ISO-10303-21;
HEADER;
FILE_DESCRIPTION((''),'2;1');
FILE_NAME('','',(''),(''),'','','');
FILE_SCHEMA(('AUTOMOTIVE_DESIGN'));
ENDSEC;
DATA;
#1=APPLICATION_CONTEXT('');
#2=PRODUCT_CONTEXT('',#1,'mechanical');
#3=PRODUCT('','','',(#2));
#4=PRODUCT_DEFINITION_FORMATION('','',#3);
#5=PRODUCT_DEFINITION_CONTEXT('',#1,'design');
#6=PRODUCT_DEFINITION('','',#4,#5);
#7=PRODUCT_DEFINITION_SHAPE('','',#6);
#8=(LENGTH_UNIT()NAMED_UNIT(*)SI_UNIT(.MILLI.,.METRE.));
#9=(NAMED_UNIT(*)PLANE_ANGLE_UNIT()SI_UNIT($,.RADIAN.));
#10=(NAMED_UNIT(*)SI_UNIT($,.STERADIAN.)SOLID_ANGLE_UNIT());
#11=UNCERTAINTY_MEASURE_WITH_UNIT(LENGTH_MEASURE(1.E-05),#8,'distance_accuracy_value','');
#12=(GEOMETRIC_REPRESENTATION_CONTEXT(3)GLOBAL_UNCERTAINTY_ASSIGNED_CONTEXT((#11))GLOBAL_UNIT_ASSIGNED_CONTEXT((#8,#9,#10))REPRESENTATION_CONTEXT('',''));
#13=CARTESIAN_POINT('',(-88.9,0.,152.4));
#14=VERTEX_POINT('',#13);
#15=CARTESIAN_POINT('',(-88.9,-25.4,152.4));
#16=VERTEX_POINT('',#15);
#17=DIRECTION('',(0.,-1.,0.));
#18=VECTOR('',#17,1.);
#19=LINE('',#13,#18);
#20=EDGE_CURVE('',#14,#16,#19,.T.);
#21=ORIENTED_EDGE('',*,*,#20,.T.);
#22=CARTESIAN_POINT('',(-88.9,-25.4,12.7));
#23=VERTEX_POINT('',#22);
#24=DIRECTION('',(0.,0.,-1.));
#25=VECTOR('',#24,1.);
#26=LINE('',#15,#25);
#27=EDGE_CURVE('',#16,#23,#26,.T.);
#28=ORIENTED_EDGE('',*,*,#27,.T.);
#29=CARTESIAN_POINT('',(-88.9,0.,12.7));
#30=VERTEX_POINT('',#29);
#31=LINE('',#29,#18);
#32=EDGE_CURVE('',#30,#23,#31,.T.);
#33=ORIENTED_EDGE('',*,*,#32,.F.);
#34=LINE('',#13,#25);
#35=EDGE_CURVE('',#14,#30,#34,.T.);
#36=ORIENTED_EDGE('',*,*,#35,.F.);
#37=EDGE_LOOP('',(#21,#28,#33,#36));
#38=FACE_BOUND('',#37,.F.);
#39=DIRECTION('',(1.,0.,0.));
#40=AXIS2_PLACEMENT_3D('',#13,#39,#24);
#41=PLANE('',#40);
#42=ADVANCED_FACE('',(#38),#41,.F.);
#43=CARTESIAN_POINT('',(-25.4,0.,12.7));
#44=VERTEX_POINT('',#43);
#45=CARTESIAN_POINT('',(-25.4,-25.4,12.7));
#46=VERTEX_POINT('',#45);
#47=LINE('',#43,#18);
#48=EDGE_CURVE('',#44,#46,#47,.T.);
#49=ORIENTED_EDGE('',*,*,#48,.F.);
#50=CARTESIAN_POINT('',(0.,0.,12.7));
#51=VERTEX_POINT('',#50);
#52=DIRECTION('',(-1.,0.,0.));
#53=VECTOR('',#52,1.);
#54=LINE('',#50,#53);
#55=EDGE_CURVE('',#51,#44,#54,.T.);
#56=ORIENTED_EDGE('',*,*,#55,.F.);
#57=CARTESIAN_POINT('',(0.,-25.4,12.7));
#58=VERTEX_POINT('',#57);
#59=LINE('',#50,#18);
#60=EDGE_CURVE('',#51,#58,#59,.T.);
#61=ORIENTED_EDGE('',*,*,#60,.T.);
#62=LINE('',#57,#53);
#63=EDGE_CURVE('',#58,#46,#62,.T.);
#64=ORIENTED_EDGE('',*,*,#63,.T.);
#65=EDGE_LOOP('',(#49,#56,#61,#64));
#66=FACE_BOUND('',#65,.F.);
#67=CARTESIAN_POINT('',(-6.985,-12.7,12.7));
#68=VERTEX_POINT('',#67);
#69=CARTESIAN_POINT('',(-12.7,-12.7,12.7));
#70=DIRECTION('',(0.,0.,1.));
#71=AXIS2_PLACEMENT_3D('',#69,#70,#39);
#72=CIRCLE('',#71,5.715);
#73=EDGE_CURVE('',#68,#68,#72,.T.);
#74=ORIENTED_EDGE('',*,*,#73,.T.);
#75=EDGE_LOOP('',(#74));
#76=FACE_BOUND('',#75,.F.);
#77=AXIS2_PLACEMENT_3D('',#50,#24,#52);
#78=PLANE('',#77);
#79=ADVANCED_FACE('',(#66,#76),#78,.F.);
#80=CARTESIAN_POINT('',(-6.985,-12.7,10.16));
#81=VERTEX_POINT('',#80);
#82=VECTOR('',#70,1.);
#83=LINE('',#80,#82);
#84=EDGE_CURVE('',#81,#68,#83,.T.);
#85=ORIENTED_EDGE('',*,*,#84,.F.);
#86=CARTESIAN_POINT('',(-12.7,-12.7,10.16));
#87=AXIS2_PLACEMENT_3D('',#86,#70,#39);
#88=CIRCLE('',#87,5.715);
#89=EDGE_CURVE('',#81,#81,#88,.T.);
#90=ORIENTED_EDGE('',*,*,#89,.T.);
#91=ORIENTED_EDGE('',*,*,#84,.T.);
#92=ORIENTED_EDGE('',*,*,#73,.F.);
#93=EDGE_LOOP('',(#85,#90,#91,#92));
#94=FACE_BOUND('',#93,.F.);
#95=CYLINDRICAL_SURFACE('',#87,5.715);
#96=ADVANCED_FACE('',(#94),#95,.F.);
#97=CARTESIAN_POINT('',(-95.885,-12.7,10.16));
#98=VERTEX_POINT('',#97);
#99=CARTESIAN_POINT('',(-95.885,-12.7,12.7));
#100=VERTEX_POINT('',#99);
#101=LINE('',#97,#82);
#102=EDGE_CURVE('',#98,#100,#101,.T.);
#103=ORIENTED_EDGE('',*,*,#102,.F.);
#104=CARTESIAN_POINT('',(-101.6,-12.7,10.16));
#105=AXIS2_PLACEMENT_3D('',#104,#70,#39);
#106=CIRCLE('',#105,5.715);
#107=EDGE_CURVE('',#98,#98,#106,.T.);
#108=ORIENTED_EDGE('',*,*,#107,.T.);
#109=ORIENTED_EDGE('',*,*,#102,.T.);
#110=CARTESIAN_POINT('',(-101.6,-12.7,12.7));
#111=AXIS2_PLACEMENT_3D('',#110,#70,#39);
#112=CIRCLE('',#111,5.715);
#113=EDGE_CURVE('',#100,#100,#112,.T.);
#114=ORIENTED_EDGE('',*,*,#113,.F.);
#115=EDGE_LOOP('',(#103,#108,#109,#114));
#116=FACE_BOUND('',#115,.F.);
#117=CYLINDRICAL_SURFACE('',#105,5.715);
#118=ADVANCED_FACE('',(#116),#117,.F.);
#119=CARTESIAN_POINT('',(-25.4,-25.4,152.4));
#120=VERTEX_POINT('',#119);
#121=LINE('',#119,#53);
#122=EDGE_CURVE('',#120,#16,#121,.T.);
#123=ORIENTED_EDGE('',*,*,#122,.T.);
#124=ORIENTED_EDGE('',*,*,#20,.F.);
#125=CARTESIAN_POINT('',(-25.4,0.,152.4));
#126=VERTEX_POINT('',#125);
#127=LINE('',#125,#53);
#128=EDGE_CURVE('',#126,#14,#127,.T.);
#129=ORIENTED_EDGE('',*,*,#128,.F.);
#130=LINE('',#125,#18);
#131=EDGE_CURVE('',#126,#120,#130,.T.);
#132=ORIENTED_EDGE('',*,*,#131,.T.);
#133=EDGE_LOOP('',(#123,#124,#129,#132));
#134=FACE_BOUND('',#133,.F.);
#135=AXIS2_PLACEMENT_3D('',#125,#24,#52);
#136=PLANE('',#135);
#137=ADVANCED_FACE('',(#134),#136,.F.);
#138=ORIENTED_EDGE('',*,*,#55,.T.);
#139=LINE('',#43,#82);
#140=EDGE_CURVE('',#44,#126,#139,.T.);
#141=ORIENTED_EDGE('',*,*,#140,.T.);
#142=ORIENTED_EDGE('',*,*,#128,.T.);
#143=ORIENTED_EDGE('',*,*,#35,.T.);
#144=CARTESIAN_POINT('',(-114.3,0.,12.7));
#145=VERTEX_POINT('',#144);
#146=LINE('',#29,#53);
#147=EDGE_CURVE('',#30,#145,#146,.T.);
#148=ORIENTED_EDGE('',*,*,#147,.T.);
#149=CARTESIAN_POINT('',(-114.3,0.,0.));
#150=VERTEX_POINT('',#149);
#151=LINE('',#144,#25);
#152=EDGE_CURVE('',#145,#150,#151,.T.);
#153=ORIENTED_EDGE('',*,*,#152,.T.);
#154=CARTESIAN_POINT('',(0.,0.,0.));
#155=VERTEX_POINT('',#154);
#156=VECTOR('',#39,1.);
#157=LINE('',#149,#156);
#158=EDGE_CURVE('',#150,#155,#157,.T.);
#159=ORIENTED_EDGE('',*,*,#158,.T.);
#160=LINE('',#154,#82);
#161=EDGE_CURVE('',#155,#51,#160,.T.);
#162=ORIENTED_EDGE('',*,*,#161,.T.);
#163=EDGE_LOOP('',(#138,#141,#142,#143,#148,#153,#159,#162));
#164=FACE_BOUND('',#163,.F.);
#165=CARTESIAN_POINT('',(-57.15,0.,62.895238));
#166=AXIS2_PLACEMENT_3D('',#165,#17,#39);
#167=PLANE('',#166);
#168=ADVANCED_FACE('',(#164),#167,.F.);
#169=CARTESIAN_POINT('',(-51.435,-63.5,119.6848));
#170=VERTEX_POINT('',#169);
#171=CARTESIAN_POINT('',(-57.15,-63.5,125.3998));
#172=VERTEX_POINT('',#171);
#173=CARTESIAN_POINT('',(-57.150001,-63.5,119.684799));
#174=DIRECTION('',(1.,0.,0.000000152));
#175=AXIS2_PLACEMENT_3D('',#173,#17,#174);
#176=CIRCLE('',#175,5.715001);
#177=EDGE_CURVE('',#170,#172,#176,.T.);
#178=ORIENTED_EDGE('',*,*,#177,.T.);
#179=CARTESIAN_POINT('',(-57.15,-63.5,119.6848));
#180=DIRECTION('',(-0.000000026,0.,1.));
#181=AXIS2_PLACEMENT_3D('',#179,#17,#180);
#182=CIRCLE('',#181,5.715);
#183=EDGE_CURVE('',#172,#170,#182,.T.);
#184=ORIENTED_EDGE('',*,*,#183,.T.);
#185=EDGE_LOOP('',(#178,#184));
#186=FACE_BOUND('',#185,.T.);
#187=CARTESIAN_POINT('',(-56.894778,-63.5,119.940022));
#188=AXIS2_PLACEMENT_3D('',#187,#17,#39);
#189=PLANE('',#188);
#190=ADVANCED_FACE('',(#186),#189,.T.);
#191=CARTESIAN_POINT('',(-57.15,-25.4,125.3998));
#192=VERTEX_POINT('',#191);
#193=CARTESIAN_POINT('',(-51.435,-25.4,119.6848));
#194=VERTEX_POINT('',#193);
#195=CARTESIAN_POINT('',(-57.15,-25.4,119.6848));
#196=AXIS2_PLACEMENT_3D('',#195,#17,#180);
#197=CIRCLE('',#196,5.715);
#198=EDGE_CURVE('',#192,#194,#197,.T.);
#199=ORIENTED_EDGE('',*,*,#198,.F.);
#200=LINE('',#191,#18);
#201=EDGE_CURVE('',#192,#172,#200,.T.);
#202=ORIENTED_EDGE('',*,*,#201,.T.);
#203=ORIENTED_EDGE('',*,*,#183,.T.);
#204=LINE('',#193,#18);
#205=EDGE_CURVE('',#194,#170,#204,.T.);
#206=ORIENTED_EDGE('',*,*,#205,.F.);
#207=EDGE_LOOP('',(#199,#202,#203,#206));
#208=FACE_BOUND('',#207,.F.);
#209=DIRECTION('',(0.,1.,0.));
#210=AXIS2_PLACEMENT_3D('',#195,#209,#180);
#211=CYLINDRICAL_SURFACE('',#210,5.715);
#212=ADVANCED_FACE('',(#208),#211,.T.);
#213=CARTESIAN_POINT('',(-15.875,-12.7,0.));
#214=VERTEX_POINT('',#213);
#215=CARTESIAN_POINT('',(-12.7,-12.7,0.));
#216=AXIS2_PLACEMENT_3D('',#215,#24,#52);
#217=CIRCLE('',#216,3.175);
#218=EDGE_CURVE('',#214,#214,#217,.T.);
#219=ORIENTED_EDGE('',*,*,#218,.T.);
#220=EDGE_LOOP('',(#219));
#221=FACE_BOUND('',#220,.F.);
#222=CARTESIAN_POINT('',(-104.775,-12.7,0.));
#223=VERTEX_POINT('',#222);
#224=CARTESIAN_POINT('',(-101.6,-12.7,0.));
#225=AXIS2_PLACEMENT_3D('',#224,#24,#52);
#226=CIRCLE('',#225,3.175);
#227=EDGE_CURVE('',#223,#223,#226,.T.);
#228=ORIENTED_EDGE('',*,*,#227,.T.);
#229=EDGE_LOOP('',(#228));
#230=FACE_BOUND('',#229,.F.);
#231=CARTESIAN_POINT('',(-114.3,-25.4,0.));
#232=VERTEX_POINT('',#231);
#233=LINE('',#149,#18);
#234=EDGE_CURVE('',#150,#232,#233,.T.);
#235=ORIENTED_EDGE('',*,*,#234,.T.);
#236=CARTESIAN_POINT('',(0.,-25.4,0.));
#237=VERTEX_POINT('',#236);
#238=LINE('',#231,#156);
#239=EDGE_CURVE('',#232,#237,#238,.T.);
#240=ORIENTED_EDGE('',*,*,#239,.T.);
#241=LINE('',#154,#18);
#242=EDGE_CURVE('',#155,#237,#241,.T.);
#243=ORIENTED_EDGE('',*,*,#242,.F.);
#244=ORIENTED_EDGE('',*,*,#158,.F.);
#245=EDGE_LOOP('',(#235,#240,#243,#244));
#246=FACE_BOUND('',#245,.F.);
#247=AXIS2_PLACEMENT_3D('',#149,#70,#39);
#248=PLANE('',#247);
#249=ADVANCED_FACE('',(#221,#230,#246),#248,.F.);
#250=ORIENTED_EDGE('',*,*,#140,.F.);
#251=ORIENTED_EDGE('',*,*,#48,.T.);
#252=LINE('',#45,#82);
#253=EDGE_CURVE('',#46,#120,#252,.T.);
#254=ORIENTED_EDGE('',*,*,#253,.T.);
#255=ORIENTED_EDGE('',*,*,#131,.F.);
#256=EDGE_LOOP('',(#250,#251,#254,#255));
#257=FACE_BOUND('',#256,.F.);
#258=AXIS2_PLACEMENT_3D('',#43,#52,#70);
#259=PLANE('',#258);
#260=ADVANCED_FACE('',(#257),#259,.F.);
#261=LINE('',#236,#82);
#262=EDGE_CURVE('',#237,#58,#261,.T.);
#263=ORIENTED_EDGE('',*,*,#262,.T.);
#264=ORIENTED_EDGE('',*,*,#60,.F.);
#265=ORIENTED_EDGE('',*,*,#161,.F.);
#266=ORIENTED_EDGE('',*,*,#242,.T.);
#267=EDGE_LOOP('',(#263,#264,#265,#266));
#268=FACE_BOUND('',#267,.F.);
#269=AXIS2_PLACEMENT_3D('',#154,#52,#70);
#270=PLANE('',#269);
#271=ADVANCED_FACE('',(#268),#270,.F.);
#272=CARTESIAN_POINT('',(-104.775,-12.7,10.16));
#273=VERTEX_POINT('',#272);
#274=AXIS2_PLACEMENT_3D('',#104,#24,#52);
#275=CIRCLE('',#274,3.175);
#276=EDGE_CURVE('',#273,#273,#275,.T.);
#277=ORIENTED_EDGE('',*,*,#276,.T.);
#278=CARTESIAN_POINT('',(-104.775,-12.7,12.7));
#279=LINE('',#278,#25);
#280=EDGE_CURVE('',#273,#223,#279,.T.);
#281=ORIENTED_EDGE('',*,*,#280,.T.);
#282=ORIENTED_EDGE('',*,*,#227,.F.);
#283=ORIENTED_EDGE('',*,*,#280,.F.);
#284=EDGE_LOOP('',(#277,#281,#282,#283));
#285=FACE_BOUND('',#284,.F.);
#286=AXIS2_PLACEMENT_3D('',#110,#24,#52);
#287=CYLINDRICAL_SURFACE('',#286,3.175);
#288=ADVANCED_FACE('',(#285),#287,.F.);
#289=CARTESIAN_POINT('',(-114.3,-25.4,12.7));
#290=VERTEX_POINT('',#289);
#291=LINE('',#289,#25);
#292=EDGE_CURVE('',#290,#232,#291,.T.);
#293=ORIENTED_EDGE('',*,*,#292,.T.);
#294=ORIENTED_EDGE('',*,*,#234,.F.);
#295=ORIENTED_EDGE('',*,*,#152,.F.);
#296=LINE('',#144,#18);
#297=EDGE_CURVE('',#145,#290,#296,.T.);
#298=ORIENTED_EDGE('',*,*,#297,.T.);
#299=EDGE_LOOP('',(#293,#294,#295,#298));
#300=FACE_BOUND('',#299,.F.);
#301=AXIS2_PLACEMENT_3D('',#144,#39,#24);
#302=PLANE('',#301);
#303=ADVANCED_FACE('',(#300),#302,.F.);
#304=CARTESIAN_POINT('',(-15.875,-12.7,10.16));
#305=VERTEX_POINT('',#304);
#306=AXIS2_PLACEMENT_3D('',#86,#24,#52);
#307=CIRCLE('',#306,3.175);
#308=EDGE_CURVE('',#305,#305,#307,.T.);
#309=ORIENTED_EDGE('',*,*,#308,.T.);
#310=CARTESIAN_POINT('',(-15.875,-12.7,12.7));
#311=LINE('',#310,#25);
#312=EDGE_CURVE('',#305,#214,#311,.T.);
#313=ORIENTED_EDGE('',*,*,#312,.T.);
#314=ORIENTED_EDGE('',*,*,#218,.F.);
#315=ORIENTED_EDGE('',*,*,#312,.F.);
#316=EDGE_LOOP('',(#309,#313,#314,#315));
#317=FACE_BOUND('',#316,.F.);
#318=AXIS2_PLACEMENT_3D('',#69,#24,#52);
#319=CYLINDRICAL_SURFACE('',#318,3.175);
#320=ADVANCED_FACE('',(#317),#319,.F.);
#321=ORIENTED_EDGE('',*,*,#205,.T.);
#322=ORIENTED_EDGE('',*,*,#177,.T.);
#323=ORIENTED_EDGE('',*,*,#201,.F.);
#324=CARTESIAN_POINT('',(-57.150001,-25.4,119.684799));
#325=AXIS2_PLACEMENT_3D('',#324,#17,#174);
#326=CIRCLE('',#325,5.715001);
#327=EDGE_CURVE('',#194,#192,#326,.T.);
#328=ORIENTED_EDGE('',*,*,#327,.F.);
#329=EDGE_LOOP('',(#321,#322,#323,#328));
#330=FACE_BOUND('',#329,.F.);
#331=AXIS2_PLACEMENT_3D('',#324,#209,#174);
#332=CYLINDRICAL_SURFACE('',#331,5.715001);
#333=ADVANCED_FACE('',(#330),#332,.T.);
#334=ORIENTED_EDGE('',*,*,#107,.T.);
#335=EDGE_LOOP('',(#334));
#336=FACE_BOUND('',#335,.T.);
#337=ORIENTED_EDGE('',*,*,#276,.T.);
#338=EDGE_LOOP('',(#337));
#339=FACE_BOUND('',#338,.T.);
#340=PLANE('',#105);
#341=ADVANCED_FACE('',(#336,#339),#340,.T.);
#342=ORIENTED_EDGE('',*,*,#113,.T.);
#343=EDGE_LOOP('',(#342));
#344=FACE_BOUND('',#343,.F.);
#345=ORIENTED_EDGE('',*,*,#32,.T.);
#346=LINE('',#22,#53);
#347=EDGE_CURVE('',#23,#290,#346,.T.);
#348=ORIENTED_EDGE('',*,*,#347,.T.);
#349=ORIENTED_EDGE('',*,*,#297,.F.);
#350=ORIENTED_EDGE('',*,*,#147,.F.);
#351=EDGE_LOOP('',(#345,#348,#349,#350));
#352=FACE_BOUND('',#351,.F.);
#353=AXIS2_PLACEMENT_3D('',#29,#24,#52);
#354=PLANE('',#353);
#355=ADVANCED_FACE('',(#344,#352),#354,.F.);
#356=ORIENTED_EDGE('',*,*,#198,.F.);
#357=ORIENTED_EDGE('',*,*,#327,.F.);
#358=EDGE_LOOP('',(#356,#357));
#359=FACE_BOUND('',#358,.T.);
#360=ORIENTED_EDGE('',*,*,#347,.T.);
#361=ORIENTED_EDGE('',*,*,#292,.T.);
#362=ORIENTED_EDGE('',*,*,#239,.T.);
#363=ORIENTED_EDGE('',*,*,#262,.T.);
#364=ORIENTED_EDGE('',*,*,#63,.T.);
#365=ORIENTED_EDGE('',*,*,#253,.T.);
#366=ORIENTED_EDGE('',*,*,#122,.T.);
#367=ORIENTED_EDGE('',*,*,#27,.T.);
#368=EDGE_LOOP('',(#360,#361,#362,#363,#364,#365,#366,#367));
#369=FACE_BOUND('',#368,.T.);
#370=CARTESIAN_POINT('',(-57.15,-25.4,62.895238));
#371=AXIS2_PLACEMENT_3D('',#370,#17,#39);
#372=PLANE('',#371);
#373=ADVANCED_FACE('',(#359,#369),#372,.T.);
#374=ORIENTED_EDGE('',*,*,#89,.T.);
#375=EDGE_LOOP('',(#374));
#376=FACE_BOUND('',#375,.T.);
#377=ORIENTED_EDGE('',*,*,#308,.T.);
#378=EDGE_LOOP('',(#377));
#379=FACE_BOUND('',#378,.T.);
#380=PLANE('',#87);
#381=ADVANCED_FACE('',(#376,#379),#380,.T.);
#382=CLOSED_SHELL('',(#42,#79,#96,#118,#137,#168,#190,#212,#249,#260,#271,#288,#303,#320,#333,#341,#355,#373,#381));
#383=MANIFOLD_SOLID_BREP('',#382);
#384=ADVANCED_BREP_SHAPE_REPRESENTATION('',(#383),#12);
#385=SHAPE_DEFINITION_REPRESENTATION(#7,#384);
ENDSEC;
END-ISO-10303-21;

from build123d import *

# Parameters (mm, degrees)
F1_DEPTH       = 25.4
F3_DEPTH       = 38.1
F5_D           = 6.35
F5_CBORE_D     = 11.43
F5_CBORE_DEPTH = 2.54


with BuildPart() as f1:
    # F0 (on Front) → F1 (new body)
    with BuildSketch(Plane.XZ):
        Polygon((-114.3, 0), (0, 0), (0, 12.7), (-25.4, 12.7), (-25.4, 152.4), (-88.9, 152.4), (-88.9, 12.7), (-114.3, 12.7), align=None)
    extrude(amount=F1_DEPTH)

    # F2 (on face) → F3 (join)
    with BuildSketch(Plane.XZ.offset(25.4)):
        with BuildLine():
            ThreePointArc((-51.435, 119.6848), (-53.108885, 123.725915), (-57.15, 125.3998))
            ThreePointArc((-57.15, 125.3998), (-61.191115, 115.643685), (-51.435, 119.6848))
        make_face()
    extrude(amount=F3_DEPTH)

    # F5 (through all)
    with Locations(Plane.XY.offset(12.7)):
        with Locations((-101.6, -12.7), (-12.7, -12.7)):
            CounterBoreHole(F5_D / 2, F5_CBORE_D / 2, F5_CBORE_DEPTH)


solid = f1.part
